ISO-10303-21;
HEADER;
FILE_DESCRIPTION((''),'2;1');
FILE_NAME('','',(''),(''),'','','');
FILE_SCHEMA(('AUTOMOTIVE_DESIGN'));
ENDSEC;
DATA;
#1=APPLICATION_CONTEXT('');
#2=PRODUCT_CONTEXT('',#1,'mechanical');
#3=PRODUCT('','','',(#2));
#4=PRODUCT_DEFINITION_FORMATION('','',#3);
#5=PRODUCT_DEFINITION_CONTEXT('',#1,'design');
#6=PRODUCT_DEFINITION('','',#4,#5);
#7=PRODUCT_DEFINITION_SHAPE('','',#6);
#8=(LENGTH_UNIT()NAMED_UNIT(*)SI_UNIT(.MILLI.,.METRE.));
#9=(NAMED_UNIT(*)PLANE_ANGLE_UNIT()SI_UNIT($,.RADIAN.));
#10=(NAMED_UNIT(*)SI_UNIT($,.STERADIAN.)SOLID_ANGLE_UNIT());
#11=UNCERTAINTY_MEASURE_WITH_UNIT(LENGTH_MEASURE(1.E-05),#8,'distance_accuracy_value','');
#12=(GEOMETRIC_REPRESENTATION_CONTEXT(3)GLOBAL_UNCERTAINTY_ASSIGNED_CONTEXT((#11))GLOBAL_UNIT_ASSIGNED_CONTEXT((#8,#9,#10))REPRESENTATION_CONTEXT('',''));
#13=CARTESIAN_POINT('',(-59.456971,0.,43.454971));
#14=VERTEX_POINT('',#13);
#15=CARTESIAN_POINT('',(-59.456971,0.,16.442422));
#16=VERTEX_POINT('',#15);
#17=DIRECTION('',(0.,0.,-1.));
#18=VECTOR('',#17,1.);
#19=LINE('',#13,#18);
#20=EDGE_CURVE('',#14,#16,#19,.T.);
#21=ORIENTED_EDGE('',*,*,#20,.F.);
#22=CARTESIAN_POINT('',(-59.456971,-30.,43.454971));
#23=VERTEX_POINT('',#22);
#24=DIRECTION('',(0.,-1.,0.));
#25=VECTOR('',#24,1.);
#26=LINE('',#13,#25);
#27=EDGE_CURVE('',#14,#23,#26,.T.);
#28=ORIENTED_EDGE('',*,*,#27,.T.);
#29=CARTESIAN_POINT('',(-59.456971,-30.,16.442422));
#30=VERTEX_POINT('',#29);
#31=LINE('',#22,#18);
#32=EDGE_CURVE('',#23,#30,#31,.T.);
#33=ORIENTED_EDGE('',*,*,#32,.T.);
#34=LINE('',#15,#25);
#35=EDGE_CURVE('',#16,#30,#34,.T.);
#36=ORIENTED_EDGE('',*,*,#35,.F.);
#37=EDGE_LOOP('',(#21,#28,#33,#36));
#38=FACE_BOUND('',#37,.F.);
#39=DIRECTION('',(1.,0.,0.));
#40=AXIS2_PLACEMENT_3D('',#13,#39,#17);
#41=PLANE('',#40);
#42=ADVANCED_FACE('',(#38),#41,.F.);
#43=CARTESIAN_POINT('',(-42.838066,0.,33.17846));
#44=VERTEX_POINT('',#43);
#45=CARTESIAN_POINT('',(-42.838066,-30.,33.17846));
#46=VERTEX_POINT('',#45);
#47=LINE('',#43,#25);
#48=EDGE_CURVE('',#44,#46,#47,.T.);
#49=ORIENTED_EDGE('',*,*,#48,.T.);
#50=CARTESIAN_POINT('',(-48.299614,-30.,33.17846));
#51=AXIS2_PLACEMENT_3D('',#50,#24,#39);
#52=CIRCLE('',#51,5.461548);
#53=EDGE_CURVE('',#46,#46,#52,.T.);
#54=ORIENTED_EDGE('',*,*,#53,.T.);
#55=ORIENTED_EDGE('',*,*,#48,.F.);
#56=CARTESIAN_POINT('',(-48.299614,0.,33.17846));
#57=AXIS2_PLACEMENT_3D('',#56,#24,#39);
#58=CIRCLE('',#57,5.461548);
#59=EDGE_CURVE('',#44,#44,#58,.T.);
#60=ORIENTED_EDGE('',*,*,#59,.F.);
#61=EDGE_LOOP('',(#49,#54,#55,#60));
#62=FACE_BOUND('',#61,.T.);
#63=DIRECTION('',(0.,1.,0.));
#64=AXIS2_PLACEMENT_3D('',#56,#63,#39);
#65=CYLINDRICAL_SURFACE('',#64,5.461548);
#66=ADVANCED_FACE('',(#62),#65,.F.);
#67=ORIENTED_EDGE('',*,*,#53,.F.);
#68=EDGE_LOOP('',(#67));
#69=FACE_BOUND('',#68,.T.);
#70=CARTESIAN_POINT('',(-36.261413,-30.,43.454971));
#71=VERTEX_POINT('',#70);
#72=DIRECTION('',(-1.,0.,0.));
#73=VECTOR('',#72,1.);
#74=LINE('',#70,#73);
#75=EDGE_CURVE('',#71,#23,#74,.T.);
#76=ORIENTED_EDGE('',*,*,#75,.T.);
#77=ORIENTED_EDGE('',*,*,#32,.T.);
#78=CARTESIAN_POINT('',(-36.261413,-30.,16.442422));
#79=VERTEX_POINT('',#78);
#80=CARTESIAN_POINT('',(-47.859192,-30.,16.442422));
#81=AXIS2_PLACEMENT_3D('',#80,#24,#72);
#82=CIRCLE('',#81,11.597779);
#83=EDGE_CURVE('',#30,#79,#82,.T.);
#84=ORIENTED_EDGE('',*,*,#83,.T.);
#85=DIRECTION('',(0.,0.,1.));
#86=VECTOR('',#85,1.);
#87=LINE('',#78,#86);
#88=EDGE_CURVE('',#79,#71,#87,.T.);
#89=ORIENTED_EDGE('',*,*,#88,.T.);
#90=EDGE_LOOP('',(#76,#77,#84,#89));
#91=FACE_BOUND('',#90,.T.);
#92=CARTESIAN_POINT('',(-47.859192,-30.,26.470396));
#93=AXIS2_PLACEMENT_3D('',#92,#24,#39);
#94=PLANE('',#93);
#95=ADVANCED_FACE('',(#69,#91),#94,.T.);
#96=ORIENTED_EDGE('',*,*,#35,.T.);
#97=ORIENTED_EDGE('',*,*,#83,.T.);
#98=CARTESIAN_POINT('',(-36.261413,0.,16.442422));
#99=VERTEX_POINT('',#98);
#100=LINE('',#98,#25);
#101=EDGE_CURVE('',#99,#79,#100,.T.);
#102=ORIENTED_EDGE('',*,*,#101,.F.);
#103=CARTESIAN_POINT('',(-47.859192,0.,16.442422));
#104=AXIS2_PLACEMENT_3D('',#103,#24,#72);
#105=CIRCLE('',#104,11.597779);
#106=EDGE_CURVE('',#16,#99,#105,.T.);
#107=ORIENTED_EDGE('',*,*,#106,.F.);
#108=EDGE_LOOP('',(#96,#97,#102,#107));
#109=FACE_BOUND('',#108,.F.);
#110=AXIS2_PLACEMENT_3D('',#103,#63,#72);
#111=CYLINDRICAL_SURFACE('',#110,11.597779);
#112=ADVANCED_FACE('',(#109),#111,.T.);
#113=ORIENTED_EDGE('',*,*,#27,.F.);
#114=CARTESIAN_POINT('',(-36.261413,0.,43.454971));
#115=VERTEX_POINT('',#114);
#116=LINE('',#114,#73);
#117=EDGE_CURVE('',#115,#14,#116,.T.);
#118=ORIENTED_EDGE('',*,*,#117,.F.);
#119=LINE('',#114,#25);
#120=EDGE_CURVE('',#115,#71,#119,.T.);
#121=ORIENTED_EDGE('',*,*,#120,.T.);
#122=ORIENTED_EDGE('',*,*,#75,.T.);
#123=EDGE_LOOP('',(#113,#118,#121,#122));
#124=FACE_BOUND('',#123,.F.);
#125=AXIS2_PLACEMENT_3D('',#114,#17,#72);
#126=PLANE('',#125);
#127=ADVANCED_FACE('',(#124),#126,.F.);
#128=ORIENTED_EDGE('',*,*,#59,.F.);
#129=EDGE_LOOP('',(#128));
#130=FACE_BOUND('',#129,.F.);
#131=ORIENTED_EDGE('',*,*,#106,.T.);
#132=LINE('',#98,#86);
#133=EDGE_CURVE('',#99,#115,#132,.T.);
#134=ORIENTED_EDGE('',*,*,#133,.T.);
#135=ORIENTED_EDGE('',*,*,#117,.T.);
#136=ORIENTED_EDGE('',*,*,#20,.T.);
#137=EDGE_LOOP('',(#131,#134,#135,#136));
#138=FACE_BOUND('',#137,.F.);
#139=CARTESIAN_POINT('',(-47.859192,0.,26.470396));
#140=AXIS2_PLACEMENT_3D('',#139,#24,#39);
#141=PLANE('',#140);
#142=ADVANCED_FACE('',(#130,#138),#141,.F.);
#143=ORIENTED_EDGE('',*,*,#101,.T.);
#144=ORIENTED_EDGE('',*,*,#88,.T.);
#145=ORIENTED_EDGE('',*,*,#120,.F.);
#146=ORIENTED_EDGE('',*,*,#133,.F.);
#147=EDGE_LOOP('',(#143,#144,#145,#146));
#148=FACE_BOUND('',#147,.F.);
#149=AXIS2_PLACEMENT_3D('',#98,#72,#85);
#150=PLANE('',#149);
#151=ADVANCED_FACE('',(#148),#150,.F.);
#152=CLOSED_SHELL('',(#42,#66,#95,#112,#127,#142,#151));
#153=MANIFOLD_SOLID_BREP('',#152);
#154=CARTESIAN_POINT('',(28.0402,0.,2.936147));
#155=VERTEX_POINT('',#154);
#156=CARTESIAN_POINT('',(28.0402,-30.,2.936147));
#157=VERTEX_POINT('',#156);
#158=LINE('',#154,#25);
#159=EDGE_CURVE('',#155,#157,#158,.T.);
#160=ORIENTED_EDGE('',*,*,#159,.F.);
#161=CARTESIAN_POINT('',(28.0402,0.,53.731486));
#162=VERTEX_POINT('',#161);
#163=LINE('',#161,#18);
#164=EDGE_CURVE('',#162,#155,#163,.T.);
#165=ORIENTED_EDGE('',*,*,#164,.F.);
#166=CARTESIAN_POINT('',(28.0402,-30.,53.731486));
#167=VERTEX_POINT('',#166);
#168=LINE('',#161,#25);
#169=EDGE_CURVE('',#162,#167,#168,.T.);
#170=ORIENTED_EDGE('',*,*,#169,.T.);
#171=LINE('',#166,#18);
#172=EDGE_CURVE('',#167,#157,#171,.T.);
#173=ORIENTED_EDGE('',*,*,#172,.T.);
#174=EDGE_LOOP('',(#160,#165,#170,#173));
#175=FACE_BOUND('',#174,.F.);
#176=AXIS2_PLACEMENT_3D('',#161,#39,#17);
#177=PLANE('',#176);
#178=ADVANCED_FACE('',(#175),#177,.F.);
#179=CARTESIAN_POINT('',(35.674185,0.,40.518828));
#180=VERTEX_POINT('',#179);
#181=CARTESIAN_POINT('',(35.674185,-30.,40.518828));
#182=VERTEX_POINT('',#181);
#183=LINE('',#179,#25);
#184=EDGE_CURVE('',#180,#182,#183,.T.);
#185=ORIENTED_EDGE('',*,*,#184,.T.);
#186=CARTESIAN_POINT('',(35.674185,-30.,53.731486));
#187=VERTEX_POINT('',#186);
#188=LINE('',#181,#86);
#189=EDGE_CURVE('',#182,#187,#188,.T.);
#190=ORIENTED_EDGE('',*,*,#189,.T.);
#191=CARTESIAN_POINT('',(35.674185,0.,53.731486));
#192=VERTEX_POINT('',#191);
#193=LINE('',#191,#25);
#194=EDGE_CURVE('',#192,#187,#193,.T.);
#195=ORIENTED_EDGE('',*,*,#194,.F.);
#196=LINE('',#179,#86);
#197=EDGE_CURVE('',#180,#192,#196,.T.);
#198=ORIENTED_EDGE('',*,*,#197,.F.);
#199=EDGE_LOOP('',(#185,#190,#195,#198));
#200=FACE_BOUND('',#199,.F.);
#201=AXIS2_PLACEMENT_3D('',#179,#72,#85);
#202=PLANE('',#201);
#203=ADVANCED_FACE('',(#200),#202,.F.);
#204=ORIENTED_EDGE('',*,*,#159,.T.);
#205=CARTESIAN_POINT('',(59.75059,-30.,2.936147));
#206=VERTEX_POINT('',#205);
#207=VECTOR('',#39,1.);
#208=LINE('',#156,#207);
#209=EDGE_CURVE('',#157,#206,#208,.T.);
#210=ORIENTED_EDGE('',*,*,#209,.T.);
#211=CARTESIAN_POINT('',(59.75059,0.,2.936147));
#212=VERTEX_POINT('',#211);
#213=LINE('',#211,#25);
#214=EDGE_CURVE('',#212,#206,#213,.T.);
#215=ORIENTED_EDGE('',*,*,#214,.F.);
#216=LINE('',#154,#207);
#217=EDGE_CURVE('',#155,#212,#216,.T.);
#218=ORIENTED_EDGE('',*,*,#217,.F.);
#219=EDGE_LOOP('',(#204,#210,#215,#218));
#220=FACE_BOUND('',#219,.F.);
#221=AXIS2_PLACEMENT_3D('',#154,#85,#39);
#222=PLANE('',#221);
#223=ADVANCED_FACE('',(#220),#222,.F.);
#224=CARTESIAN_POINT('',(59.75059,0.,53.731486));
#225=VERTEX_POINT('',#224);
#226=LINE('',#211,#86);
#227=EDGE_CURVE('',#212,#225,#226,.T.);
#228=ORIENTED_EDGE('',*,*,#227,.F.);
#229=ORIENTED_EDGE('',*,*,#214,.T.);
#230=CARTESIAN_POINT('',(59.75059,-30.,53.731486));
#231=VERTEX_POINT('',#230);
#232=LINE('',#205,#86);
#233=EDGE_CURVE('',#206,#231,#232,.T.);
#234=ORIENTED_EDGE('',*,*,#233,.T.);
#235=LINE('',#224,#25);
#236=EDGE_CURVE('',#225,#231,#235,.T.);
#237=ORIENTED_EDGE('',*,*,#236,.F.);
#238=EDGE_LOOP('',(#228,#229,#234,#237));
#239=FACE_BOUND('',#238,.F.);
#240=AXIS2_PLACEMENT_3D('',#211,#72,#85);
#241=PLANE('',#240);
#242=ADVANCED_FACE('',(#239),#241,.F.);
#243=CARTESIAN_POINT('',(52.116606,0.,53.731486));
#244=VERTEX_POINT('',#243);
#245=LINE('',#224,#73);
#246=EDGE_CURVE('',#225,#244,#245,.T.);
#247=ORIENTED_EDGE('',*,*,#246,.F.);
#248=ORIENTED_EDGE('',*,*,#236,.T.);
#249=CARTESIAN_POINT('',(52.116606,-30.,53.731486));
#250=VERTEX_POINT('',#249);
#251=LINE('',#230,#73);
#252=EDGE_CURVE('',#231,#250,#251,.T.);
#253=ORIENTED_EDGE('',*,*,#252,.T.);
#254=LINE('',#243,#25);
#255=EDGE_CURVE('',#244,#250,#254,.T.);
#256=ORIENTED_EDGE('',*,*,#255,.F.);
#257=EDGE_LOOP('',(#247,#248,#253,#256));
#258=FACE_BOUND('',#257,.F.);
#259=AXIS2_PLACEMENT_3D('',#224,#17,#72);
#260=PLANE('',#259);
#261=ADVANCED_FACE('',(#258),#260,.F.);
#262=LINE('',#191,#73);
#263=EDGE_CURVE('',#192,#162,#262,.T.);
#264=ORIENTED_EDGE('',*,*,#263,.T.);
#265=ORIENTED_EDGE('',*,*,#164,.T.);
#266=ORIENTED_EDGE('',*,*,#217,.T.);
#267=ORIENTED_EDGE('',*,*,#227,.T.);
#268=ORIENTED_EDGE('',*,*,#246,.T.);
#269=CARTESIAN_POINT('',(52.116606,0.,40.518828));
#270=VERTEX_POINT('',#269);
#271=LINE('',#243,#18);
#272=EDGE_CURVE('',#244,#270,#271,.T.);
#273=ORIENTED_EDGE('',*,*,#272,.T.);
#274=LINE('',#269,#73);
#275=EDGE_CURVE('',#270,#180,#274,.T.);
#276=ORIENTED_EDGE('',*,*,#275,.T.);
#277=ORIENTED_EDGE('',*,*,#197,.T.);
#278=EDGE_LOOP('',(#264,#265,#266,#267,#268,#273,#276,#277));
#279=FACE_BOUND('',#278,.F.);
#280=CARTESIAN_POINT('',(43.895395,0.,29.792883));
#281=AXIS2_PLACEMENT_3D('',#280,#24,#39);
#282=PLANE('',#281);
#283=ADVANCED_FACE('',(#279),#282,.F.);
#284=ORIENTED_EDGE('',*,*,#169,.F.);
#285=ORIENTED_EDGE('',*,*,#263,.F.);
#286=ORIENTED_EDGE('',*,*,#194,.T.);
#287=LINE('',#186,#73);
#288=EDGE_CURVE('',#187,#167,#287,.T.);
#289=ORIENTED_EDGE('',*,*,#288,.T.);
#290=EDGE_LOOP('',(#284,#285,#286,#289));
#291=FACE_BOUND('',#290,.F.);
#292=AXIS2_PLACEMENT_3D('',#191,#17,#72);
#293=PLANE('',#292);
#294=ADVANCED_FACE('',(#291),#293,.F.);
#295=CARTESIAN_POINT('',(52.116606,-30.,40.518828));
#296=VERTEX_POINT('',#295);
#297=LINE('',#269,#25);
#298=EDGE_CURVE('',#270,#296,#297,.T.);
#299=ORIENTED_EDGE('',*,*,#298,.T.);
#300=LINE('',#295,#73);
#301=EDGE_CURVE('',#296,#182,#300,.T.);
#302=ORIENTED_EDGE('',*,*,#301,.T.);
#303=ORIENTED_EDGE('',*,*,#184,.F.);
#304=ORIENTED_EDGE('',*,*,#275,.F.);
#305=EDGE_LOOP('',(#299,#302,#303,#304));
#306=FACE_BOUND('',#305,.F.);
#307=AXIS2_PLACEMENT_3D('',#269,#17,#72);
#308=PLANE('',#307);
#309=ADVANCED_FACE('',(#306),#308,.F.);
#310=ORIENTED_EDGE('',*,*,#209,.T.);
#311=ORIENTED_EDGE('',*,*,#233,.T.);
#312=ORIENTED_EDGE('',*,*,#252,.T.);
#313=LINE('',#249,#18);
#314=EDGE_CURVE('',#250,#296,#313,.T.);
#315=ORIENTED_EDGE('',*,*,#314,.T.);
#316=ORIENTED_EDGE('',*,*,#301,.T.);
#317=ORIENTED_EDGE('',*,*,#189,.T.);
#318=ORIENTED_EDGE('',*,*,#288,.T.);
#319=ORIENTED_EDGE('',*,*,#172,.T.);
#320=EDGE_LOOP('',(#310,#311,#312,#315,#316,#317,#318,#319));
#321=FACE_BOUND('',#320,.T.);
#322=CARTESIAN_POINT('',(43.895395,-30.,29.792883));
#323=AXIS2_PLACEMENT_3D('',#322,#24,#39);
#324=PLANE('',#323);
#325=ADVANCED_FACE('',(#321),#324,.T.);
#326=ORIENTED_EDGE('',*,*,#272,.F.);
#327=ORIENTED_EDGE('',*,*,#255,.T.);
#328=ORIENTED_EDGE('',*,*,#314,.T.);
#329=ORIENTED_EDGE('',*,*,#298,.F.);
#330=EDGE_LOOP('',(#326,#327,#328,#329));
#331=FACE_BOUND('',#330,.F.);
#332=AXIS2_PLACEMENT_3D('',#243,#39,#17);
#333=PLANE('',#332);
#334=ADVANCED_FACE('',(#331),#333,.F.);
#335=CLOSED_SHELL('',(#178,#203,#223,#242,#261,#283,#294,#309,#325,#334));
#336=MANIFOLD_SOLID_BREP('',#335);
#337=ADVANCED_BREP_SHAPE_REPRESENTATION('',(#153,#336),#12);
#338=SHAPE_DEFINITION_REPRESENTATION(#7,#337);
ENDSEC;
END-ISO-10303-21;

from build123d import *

# Parameters (mm, degrees)
F0_R     = 5.461548
F1_DEPTH = 30


with BuildPart() as f1:
    # F0 (on Front) → F1 (new body)
    with BuildSketch(Plane.XZ):
        with BuildLine():
            Line((-36.261413, 43.454971), (-59.456971, 43.454971))
            Line((-59.456971, 43.454971), (-59.456971, 16.442422))
            ThreePointArc((-59.456971, 16.442422), (-47.859192, 4.844643), (-36.261413, 16.442422))
            Line((-36.261413, 16.442422), (-36.261413, 43.454971))
        make_face()
        with Locations((-48.299614, 33.17846)):
            Circle(F0_R, mode=Mode.SUBTRACT)
        Polygon((28.0402, 32.884844), (28.0402, 2.936147), (59.75059, 2.936147), (59.75059, 32.884844), (59.75059, 40.518828), (59.75059, 53.731486), (52.116606, 53.731486), (52.116606, 40.518828), (35.674185, 40.518828), (35.674185, 53.731486), (28.0402, 53.731486), (28.0402, 40.518828), align=None)
    extrude(amount=F1_DEPTH)


solid = f1.part
